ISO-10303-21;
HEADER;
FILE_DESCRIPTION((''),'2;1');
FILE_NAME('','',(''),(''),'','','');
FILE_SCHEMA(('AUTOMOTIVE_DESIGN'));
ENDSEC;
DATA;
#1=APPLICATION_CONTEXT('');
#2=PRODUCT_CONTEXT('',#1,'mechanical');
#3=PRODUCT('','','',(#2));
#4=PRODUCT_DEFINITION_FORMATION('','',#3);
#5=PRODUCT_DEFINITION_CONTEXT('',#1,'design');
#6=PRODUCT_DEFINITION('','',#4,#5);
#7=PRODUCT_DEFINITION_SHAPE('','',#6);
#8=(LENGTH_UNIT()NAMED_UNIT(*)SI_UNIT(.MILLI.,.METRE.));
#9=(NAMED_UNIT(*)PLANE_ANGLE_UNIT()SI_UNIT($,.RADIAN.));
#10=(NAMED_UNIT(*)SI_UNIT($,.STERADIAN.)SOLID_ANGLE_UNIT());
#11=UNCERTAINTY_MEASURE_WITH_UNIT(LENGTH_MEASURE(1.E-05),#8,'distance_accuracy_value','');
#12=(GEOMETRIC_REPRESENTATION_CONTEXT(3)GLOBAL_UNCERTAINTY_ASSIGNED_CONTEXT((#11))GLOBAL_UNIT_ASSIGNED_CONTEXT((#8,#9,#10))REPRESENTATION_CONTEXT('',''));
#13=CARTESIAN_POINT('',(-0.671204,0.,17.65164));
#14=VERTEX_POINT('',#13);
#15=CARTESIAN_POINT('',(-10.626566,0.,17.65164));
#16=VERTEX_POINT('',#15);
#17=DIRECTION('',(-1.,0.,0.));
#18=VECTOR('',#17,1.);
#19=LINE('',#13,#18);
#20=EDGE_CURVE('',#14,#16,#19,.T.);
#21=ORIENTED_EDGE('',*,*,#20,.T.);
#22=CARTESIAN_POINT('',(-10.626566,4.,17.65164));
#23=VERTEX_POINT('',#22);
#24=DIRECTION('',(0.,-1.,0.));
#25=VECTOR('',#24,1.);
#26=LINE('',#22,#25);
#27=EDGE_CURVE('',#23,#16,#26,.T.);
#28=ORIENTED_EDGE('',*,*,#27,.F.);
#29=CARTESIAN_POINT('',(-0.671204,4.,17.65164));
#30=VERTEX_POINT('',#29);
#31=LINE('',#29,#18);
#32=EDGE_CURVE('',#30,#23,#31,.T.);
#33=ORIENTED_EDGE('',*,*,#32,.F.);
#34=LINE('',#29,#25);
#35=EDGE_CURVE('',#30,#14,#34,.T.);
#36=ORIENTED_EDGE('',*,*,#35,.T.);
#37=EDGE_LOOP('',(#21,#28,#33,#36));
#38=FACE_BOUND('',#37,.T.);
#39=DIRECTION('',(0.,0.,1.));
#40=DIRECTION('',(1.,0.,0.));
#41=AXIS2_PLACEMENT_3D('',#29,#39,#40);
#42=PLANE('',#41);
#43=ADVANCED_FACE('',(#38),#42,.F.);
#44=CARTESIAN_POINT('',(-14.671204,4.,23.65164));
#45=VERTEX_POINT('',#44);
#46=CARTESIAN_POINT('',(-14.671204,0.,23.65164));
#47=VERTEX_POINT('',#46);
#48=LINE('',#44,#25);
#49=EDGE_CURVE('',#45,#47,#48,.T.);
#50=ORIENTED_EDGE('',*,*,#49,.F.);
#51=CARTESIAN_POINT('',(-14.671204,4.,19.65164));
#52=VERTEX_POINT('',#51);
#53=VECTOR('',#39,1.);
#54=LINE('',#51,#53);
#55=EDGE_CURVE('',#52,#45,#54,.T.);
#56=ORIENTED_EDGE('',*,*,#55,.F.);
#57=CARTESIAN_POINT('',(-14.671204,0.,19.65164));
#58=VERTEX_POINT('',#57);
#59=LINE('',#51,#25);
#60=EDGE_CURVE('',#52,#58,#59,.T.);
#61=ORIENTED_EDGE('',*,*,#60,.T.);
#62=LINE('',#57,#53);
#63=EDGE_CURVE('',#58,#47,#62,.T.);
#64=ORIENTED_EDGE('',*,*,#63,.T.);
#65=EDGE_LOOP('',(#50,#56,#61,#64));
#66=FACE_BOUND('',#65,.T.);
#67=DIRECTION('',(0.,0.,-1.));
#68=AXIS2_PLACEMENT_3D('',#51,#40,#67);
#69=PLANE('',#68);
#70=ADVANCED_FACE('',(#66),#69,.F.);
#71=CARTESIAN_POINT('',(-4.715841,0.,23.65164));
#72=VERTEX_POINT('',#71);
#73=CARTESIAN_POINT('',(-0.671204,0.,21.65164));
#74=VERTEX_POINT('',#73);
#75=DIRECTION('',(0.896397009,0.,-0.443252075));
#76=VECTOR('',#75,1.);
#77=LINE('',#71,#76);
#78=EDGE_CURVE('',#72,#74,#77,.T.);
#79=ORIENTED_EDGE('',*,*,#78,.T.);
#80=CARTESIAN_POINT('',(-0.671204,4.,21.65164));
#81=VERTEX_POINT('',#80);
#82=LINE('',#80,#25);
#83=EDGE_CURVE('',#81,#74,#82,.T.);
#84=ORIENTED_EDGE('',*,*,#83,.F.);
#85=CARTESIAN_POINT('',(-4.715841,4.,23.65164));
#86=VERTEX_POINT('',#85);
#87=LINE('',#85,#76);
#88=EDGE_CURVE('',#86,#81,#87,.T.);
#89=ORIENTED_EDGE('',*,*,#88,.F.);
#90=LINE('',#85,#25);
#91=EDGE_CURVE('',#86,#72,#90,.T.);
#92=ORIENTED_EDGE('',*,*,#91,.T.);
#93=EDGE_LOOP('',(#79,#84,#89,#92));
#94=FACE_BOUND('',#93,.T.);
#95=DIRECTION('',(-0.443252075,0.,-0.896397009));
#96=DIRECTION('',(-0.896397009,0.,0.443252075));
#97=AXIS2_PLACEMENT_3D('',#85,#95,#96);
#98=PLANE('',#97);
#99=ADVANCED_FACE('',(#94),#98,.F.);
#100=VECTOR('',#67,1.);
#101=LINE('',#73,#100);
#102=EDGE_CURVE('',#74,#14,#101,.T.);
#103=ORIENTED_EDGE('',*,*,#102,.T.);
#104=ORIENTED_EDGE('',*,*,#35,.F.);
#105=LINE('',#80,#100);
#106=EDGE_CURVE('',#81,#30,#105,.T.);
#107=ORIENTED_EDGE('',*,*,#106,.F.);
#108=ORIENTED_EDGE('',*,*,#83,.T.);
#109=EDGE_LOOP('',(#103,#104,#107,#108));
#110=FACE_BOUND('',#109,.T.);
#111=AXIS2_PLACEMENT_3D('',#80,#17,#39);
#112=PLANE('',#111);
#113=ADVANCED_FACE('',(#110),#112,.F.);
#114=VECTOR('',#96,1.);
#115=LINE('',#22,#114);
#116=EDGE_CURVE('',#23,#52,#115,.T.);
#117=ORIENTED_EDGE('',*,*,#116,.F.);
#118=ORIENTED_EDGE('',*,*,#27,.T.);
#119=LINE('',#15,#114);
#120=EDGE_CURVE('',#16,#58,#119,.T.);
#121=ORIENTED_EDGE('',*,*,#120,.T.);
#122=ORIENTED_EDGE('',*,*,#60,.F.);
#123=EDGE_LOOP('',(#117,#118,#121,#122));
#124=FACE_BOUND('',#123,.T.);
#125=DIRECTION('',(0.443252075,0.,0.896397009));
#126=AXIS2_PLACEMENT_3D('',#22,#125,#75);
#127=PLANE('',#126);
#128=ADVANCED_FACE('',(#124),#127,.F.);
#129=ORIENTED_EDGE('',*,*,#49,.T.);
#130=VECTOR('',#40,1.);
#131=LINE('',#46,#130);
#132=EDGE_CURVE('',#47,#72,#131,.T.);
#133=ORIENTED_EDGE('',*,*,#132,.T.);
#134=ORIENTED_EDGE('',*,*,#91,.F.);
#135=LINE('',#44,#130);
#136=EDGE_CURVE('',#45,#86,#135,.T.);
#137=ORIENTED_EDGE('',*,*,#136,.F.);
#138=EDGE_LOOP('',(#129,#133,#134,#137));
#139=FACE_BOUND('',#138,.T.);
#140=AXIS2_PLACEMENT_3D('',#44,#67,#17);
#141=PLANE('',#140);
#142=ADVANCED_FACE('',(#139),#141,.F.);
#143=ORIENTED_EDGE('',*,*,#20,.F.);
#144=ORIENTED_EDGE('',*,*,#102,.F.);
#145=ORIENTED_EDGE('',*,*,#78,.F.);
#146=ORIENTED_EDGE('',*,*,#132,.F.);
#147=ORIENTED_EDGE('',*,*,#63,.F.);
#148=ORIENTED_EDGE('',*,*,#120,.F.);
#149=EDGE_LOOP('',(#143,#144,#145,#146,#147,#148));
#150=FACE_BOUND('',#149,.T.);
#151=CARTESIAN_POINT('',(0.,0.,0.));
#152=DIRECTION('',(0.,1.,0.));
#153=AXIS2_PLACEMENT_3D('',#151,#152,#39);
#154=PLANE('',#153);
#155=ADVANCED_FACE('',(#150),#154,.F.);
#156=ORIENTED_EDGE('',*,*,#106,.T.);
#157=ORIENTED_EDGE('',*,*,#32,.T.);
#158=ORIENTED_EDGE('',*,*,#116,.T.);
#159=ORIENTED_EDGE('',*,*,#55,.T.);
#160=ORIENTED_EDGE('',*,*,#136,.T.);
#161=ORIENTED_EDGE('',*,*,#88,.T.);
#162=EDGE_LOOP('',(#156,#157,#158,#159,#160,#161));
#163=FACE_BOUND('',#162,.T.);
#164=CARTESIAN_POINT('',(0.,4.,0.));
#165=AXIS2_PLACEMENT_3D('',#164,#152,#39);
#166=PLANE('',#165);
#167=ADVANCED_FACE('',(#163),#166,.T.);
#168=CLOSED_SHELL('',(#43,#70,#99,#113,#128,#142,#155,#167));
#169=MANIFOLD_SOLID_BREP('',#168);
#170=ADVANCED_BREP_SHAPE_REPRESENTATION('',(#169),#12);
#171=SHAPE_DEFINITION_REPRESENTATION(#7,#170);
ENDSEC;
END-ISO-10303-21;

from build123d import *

# Parameters (mm, degrees)
BOSS_EXTRUDE1_DEPTH = 4


with BuildPart() as part:
    # Sketch1 → Boss-Extrude1 (new body)
    with BuildSketch(Plane(origin=(0, 0, 0), x_dir=(1, 0, 0), z_dir=(0, 1, 0))):
        Polygon((-14.671203832, -23.651639708), (-4.715841455, -23.651639708), (-0.671203832, -21.651639708), (-0.671203832, -17.651639708), (-10.62656621, -17.651639708), (-14.671203832, -19.651639708), align=None)
    extrude(amount=BOSS_EXTRUDE1_DEPTH)


solid = part.part
